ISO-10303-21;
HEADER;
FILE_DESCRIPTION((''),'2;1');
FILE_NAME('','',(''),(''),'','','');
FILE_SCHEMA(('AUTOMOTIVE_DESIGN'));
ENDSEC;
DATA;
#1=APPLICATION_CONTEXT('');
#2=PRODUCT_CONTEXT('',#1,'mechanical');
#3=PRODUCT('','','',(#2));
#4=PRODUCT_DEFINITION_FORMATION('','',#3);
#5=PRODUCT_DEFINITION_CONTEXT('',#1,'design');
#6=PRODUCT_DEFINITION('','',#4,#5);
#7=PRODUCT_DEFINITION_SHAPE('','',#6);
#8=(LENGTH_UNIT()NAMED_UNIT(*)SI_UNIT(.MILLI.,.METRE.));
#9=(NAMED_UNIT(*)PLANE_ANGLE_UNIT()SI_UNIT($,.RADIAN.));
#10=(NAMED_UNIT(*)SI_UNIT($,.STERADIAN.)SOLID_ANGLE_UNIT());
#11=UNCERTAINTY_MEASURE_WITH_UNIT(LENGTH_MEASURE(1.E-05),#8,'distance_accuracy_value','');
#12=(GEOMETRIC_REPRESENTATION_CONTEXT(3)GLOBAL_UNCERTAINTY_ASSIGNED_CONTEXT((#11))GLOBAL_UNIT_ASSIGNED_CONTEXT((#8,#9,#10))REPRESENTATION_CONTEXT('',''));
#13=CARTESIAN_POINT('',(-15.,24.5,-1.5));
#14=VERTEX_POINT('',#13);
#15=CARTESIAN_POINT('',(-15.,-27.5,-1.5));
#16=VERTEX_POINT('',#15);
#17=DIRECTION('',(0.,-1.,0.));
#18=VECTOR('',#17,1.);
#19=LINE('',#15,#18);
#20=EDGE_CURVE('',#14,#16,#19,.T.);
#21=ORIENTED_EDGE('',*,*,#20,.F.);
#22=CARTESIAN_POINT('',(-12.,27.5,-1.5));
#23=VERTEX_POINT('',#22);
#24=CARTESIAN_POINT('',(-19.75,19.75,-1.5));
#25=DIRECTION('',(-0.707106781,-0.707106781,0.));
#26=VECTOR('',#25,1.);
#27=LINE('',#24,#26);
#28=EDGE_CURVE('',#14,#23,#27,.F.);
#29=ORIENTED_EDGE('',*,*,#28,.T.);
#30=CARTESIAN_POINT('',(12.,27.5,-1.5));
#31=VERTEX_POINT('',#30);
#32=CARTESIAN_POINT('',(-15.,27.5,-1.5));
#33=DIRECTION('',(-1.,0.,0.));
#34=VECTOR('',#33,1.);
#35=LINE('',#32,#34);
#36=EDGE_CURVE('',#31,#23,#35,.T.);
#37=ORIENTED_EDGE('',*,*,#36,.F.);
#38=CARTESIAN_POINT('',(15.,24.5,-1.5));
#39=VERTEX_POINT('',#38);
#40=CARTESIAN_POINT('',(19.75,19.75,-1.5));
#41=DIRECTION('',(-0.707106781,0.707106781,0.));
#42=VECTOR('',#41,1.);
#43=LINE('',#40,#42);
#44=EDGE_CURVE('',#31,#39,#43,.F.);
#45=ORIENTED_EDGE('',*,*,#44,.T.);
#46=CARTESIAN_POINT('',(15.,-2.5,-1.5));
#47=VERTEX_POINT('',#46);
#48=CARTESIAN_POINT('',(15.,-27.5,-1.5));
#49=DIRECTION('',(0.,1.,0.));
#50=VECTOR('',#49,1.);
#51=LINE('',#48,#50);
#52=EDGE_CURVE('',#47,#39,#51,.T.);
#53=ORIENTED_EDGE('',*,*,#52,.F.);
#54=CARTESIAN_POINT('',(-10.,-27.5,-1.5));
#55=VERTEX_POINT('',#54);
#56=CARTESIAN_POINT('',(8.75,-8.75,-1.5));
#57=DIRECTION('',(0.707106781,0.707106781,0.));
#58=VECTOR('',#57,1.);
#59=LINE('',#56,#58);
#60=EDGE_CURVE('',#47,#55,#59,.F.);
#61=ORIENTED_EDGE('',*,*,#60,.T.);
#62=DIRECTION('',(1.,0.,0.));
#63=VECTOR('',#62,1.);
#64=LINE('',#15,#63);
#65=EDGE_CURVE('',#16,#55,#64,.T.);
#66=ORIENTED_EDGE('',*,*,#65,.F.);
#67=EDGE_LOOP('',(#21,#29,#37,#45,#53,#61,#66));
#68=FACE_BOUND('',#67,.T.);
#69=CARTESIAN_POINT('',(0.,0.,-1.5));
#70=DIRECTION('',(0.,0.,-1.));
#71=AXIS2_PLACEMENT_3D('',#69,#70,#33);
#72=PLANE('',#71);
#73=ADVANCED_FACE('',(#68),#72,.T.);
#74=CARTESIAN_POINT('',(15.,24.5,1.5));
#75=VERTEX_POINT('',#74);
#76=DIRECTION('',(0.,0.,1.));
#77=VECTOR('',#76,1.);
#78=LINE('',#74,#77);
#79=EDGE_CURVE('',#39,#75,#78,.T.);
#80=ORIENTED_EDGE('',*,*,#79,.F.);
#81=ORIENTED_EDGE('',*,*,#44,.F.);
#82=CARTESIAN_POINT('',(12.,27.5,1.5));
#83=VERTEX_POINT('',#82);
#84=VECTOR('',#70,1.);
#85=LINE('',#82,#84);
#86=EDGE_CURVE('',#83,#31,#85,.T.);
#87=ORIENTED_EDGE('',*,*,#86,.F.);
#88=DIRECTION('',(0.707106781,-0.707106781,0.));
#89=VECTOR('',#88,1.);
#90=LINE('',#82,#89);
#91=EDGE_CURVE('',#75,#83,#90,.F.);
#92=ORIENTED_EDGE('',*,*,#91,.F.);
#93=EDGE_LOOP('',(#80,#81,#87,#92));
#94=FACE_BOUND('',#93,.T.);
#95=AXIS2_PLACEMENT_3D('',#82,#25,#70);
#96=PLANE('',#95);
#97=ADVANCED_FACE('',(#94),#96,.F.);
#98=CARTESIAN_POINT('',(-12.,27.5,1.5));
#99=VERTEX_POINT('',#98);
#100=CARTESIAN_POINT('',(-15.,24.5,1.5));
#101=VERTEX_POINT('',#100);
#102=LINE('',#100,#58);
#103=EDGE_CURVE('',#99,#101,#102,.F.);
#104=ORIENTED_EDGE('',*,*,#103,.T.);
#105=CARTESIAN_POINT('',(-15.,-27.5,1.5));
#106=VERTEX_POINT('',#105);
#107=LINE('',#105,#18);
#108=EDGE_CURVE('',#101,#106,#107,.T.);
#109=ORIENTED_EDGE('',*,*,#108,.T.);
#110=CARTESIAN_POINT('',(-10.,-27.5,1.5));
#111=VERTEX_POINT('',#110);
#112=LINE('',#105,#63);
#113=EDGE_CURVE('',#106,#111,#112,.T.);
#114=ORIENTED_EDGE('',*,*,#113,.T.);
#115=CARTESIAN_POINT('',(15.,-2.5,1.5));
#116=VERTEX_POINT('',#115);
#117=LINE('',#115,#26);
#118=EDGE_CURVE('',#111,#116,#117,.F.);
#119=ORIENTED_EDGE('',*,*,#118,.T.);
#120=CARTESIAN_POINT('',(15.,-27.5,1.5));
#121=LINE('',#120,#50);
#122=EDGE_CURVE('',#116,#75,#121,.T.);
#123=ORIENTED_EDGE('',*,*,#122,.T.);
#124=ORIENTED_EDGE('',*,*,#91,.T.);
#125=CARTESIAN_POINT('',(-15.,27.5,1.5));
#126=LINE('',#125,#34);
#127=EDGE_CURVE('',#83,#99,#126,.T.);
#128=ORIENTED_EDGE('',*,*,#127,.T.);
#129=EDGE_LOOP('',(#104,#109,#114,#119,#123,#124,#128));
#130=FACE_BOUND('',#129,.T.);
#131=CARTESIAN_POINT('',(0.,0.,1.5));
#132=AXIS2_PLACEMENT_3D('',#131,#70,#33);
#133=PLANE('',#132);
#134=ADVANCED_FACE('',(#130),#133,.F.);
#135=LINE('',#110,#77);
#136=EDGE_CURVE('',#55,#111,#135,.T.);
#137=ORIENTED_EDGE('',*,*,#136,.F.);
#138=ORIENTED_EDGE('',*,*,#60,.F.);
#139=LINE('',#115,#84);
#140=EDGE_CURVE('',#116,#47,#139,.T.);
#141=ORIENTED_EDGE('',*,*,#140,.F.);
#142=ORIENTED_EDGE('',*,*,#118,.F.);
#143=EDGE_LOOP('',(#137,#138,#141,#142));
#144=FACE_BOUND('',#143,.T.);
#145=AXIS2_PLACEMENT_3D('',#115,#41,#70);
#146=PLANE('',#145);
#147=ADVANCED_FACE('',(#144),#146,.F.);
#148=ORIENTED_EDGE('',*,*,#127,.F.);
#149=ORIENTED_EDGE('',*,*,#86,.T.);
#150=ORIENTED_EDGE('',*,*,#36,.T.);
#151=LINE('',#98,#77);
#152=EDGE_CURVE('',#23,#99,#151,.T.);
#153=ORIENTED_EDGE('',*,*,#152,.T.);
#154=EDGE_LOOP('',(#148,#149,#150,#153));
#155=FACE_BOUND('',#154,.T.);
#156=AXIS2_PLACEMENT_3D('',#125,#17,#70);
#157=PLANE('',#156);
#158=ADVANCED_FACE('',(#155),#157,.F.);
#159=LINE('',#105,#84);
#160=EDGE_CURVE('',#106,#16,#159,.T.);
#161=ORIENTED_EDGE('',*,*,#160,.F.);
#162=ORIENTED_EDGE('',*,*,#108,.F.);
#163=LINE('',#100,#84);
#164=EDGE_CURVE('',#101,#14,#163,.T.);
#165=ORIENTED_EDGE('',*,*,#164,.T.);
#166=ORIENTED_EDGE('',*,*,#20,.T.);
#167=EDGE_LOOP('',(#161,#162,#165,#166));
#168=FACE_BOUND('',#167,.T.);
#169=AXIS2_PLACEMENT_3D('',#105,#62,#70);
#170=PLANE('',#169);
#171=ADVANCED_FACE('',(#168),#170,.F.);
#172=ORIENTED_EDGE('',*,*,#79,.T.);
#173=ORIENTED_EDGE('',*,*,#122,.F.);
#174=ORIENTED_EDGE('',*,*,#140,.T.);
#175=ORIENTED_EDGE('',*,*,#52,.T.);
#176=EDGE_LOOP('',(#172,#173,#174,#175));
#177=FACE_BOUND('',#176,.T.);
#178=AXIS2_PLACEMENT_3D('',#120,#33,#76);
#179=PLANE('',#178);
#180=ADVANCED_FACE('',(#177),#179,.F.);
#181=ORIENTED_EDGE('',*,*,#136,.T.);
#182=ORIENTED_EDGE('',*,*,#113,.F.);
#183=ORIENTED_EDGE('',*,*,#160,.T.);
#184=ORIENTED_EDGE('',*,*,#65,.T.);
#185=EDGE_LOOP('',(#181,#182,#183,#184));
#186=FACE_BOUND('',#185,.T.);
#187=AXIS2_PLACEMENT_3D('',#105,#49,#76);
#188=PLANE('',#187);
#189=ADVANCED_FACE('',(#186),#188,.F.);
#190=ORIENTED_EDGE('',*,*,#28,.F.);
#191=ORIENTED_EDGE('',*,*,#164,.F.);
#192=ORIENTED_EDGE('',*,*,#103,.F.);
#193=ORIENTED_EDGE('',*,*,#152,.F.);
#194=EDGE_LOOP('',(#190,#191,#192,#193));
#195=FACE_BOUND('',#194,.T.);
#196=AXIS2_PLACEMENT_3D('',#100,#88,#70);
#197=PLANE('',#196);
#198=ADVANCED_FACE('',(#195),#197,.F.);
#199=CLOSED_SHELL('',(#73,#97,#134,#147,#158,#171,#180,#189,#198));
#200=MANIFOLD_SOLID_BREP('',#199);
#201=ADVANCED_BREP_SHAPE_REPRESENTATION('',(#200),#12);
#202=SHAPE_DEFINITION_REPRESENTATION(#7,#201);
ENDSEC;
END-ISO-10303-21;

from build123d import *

# Parameters (mm, degrees)
SKETCH1_W           = 30
SKETCH1_H           = 55
BOSS_EXTRUDE1_DEPTH = 1.5
CHAMFER1_SIZE       = 3
CHAMFER2_SIZE       = 25


with BuildPart() as part:
    # Sketch1 → Boss-Extrude1 (new, symmetric)
    with BuildSketch(Plane.XY):
        Rectangle(SKETCH1_W, SKETCH1_H)
    extrude(amount=BOSS_EXTRUDE1_DEPTH, both=True)

    # Chamfer1
    chamfer1_edges = [part.edges().sort_by_distance(p)[0] for p in [
        (-15, 27.5, 0),
        (15, 27.5, 0),
    ]]
    chamfer(chamfer1_edges, length=CHAMFER1_SIZE)

    # Chamfer2
    chamfer2_edges = [part.edges().sort_by_distance(p)[0] for p in [
        (15, -27.5, 0),
    ]]
    chamfer(chamfer2_edges, length=CHAMFER2_SIZE)


solid = part.part
